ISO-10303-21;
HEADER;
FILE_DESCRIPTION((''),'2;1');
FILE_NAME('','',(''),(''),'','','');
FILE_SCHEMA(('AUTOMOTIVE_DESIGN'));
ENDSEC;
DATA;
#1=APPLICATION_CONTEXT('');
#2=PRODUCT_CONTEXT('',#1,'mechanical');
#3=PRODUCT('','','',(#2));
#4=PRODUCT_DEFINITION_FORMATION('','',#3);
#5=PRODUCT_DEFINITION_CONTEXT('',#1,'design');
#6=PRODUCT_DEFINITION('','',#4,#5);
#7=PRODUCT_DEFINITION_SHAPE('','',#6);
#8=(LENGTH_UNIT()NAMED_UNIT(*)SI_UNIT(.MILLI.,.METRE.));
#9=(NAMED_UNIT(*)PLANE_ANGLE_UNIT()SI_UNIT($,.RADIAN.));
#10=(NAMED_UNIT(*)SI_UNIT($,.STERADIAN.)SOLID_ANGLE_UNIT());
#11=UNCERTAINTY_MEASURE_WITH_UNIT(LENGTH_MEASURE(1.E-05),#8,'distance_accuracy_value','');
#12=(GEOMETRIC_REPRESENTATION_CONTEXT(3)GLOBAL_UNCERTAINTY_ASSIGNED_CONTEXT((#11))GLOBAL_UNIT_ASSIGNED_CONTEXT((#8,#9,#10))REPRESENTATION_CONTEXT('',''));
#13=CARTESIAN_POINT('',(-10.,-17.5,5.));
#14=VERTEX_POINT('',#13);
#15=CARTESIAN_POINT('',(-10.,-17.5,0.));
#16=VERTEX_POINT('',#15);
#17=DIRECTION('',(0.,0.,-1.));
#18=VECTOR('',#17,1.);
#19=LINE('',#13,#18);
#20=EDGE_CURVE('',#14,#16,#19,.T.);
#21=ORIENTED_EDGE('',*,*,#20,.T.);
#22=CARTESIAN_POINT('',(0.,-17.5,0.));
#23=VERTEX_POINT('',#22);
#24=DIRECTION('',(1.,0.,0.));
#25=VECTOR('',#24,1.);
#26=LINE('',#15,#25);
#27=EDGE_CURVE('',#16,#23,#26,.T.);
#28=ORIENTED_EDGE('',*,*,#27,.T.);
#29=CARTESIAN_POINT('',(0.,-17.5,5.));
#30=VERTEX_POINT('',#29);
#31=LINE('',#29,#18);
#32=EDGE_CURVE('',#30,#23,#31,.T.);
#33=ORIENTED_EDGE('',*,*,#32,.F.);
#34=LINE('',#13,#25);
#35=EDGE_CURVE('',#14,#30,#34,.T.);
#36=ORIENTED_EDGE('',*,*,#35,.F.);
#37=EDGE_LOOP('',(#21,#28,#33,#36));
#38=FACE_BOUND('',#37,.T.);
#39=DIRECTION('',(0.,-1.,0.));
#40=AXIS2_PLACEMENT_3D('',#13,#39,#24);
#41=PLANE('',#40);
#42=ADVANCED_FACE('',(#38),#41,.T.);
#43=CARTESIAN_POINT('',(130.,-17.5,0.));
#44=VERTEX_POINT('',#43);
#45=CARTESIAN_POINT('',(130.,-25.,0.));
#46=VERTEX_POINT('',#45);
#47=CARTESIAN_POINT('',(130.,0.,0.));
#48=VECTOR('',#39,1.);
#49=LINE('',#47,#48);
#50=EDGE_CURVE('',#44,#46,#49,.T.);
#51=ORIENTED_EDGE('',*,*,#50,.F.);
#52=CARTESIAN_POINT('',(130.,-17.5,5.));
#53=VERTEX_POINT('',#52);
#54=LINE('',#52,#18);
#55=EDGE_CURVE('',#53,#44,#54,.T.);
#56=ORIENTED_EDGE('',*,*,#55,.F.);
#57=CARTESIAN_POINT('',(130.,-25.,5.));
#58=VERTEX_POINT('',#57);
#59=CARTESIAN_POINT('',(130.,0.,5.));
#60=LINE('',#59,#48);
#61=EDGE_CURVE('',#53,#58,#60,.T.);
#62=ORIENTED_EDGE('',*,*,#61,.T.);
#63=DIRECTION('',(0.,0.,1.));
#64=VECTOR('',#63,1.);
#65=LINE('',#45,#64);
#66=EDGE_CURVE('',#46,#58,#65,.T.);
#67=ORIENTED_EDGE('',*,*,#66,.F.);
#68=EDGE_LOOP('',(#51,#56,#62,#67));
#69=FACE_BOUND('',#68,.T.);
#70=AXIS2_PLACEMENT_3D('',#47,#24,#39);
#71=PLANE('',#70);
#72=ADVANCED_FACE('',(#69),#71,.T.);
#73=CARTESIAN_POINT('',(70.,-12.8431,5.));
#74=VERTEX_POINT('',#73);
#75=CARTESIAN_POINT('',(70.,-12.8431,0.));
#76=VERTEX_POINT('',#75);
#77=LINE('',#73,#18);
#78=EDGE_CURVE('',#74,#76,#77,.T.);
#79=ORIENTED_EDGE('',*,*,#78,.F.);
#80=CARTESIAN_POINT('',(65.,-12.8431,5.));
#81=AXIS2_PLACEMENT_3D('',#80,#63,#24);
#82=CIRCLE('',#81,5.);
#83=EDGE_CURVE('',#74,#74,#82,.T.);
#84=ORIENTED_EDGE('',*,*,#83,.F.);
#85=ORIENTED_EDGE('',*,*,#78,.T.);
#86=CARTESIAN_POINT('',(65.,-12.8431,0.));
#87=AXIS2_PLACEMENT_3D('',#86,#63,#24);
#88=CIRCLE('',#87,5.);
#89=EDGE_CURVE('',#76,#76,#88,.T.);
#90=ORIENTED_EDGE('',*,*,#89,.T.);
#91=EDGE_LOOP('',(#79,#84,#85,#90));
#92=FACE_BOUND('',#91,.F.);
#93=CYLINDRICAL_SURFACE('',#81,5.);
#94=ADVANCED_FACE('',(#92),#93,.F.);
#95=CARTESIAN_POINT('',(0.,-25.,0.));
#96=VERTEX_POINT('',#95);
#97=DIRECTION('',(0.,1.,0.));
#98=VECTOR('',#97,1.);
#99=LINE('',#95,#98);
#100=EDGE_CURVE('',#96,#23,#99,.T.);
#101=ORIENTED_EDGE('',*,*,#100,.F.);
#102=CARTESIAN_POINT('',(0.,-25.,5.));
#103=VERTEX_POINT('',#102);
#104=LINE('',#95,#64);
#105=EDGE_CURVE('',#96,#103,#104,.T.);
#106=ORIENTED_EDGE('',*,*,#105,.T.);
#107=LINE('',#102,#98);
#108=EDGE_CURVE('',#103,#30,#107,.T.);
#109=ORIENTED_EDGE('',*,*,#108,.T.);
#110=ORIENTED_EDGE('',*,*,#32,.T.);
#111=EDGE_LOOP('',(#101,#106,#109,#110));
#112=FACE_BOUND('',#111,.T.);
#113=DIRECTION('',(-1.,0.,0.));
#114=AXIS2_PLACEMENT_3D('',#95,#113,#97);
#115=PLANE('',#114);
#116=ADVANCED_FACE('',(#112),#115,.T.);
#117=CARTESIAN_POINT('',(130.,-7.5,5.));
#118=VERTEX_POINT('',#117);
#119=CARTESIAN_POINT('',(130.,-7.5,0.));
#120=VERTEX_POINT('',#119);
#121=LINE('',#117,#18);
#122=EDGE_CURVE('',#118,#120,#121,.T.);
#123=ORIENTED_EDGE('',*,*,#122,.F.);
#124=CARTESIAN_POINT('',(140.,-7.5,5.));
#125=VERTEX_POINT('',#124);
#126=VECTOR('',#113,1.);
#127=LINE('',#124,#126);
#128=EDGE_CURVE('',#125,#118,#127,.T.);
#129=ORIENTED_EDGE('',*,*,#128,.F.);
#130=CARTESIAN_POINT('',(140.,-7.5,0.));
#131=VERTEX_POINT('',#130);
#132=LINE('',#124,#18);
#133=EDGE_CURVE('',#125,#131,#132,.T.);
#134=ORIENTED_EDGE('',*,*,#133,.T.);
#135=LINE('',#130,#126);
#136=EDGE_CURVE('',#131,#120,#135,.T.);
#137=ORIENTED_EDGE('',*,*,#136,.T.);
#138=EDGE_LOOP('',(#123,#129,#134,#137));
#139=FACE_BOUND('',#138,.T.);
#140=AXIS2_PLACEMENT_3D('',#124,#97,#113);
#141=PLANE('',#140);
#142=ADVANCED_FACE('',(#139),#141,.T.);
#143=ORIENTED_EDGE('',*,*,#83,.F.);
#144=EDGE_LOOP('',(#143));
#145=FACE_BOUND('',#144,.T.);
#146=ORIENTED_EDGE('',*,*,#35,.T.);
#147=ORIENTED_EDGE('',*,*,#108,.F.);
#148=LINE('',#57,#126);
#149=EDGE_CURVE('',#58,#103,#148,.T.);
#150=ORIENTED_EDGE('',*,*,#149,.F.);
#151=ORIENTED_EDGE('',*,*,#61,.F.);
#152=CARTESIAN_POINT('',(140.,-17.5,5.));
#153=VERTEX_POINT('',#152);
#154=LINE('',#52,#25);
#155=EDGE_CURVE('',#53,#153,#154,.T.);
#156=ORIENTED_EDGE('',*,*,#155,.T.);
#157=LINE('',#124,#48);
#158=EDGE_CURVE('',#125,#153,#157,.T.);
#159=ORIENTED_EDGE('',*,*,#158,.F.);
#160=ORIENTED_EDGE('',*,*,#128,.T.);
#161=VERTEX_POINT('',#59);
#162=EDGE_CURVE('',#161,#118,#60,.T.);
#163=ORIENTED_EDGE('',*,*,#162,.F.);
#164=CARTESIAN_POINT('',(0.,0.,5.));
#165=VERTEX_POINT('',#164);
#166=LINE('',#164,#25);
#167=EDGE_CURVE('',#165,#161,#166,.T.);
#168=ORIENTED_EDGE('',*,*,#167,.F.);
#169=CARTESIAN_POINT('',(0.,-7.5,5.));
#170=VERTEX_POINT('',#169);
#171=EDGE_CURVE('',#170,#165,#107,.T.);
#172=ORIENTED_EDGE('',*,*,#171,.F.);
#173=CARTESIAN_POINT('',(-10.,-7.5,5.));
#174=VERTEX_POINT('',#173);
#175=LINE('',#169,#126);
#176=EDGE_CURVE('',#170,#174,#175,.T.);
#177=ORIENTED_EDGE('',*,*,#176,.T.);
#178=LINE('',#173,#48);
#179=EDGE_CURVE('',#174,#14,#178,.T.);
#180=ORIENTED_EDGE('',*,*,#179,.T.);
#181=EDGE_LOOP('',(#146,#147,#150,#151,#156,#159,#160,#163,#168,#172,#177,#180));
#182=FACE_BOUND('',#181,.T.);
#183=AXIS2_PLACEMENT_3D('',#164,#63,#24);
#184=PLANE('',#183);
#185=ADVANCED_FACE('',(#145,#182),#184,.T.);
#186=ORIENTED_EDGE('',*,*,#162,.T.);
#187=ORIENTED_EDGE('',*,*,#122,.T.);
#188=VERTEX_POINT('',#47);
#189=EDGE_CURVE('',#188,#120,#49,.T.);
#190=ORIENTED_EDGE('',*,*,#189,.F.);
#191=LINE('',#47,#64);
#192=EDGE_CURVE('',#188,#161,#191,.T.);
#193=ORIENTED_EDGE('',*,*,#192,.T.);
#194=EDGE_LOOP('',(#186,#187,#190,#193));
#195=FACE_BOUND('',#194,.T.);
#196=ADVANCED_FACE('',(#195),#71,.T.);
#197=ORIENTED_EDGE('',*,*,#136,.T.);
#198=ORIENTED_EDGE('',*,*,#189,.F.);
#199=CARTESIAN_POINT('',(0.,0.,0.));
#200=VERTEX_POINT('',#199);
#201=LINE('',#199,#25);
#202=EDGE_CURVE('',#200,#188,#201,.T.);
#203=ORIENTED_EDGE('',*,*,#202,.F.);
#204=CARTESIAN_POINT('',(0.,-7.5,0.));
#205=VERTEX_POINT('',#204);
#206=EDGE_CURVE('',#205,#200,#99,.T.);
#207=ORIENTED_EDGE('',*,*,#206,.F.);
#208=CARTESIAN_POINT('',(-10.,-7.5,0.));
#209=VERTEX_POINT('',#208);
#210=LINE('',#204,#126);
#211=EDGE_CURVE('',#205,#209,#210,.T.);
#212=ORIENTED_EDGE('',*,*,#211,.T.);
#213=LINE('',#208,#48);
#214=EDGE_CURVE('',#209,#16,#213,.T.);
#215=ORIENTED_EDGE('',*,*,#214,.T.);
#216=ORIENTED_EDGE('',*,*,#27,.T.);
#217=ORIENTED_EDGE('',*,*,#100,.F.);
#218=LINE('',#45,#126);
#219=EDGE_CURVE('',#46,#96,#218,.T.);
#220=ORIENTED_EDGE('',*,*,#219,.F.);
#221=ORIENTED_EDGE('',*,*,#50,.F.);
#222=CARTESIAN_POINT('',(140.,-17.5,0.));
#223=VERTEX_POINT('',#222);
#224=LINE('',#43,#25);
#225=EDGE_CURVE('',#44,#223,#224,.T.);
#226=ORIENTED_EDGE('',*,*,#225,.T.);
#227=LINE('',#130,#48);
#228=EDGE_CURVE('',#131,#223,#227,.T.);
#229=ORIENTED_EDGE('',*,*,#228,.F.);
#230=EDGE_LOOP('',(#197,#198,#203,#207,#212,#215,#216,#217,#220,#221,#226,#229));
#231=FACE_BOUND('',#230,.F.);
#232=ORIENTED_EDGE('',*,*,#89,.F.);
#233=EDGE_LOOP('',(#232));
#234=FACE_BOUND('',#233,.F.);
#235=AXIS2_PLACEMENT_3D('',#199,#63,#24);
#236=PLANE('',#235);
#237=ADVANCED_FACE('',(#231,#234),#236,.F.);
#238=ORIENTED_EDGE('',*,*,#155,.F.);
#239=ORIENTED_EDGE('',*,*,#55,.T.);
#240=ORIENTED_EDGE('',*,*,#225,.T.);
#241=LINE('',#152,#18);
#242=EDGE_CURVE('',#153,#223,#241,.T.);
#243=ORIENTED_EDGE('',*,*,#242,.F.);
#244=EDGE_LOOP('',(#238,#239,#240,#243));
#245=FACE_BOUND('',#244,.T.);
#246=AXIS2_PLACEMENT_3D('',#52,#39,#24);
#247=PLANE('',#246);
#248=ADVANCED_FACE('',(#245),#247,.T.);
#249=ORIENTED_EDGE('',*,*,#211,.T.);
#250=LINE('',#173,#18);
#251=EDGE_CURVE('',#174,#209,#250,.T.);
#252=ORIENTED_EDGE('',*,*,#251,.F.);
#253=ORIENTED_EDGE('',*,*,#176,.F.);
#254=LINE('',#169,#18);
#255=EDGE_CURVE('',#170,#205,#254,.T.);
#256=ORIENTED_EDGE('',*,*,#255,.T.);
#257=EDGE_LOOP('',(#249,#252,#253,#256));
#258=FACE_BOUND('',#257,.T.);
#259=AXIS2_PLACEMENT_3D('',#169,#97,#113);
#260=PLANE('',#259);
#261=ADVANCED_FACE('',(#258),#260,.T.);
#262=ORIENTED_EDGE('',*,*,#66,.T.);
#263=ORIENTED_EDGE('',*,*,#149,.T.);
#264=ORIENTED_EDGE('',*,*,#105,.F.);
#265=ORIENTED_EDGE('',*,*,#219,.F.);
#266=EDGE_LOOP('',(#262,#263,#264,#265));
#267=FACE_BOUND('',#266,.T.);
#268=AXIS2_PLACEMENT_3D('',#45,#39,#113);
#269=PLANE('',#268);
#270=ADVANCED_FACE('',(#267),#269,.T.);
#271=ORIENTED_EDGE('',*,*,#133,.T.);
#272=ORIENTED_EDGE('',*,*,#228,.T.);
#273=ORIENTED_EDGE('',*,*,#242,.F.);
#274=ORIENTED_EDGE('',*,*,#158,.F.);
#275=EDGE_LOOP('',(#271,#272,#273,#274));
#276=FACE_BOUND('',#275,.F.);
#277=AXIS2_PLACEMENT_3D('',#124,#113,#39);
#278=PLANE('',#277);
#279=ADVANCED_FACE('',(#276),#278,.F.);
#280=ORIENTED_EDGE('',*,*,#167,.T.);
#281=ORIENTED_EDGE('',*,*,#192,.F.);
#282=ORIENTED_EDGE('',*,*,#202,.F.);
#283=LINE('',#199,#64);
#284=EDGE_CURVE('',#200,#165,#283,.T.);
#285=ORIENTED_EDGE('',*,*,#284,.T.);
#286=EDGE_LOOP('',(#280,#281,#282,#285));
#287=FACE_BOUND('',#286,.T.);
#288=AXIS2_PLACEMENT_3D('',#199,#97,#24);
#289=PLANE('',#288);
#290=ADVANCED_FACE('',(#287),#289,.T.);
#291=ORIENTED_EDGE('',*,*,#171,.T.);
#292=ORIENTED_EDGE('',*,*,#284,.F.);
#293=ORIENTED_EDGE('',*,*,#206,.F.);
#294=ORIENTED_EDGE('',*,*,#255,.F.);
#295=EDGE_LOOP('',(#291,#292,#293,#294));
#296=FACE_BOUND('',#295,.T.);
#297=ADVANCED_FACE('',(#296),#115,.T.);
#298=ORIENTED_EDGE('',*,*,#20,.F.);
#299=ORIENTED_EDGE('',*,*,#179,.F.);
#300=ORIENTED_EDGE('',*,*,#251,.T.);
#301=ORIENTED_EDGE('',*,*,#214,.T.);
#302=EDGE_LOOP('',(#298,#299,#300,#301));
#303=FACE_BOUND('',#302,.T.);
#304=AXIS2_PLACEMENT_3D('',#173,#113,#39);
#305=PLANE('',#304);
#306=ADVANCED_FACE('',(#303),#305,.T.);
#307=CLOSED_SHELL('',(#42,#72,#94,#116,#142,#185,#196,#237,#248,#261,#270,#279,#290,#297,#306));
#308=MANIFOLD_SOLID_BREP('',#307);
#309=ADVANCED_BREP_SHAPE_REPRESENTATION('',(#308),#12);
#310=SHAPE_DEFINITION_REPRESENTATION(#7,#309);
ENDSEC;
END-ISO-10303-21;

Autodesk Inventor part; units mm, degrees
ref_plane "YZ Plane" through (0, 0, 0) normal (1, 0, 0) x (0, 1, 0)
ref_plane "XZ Plane" through (0, 0, 0) normal (0, 1, 0) x (-1, 0, 0)
ref_plane "XY Plane" through (0, 0, 0) normal (0, 0, 1) x (1, 0, 0)
sketch "Boceto1" plane through (0, 0, 0) normal (0, 0, 1) x (1, 0, 0)
  line L0 (0, 0) -> (130, 0)
  line L1 (130, 0) -> (130, -25)
  line L2 (130, -25) -> (0, -25)
  line L3 (0, -25) -> (0, 0)
  dimension "d0" = 130
  dimension "d1" = 25
extrude "Extrusión1" add sketch "Boceto1" along normal blind 5
sketch "Boceto2" plane through (0, 0, 5) normal (0, 0, 1) x (1, 0, 0)
  line L0 (130, 0) -> (130, -25) projected
  line L1 (0, -25) -> (0, 0) projected
  line L2 (-10, -7.5) -> (-10, -17.5)
  line L3 (140, -7.5) -> (140, -17.5)
  line L4 (0, -7.5) -> (0, -17.5)
  line L5 (130, -7.5) -> (130, -17.5)
  line L6 (140, -7.5) -> (130, -7.5)
  line L7 (0, -7.5) -> (-10, -7.5)
  line L8 (-10, -17.5) -> (0, -17.5)
  line L9 (130, -17.5) -> (140, -17.5)
  line L10 (0, 0) -> (130, 0) projected
  line L11 (130, -25) -> (0, -25) projected
  dimension "d5" = 10
  dimension "d6" = 10
  dimension "d12" = 7.5
  dimension "d13" = 10
  dimension "d14" = 10
  dimension "d15" = 7.5
extrude "Extrusión2" add sketch "Boceto2" against normal blind 5 contours L6 L3 L9 L0 | L1 L8 L2 L7
sketch "Boceto3" plane through (0, 0, 5) normal (0, 0, 1) x (1, 0, 0)
  circle A0 centre (65, -12.8431) radius 5
  line L0 (130, -17.5) -> (130, -25) projected
  dimension "d9" = 10
  dimension "d16" = 65
extrude "Extrusión3" cut sketch "Boceto3" against normal blind 5
properties part number "pieza lateral z refuerzo"
